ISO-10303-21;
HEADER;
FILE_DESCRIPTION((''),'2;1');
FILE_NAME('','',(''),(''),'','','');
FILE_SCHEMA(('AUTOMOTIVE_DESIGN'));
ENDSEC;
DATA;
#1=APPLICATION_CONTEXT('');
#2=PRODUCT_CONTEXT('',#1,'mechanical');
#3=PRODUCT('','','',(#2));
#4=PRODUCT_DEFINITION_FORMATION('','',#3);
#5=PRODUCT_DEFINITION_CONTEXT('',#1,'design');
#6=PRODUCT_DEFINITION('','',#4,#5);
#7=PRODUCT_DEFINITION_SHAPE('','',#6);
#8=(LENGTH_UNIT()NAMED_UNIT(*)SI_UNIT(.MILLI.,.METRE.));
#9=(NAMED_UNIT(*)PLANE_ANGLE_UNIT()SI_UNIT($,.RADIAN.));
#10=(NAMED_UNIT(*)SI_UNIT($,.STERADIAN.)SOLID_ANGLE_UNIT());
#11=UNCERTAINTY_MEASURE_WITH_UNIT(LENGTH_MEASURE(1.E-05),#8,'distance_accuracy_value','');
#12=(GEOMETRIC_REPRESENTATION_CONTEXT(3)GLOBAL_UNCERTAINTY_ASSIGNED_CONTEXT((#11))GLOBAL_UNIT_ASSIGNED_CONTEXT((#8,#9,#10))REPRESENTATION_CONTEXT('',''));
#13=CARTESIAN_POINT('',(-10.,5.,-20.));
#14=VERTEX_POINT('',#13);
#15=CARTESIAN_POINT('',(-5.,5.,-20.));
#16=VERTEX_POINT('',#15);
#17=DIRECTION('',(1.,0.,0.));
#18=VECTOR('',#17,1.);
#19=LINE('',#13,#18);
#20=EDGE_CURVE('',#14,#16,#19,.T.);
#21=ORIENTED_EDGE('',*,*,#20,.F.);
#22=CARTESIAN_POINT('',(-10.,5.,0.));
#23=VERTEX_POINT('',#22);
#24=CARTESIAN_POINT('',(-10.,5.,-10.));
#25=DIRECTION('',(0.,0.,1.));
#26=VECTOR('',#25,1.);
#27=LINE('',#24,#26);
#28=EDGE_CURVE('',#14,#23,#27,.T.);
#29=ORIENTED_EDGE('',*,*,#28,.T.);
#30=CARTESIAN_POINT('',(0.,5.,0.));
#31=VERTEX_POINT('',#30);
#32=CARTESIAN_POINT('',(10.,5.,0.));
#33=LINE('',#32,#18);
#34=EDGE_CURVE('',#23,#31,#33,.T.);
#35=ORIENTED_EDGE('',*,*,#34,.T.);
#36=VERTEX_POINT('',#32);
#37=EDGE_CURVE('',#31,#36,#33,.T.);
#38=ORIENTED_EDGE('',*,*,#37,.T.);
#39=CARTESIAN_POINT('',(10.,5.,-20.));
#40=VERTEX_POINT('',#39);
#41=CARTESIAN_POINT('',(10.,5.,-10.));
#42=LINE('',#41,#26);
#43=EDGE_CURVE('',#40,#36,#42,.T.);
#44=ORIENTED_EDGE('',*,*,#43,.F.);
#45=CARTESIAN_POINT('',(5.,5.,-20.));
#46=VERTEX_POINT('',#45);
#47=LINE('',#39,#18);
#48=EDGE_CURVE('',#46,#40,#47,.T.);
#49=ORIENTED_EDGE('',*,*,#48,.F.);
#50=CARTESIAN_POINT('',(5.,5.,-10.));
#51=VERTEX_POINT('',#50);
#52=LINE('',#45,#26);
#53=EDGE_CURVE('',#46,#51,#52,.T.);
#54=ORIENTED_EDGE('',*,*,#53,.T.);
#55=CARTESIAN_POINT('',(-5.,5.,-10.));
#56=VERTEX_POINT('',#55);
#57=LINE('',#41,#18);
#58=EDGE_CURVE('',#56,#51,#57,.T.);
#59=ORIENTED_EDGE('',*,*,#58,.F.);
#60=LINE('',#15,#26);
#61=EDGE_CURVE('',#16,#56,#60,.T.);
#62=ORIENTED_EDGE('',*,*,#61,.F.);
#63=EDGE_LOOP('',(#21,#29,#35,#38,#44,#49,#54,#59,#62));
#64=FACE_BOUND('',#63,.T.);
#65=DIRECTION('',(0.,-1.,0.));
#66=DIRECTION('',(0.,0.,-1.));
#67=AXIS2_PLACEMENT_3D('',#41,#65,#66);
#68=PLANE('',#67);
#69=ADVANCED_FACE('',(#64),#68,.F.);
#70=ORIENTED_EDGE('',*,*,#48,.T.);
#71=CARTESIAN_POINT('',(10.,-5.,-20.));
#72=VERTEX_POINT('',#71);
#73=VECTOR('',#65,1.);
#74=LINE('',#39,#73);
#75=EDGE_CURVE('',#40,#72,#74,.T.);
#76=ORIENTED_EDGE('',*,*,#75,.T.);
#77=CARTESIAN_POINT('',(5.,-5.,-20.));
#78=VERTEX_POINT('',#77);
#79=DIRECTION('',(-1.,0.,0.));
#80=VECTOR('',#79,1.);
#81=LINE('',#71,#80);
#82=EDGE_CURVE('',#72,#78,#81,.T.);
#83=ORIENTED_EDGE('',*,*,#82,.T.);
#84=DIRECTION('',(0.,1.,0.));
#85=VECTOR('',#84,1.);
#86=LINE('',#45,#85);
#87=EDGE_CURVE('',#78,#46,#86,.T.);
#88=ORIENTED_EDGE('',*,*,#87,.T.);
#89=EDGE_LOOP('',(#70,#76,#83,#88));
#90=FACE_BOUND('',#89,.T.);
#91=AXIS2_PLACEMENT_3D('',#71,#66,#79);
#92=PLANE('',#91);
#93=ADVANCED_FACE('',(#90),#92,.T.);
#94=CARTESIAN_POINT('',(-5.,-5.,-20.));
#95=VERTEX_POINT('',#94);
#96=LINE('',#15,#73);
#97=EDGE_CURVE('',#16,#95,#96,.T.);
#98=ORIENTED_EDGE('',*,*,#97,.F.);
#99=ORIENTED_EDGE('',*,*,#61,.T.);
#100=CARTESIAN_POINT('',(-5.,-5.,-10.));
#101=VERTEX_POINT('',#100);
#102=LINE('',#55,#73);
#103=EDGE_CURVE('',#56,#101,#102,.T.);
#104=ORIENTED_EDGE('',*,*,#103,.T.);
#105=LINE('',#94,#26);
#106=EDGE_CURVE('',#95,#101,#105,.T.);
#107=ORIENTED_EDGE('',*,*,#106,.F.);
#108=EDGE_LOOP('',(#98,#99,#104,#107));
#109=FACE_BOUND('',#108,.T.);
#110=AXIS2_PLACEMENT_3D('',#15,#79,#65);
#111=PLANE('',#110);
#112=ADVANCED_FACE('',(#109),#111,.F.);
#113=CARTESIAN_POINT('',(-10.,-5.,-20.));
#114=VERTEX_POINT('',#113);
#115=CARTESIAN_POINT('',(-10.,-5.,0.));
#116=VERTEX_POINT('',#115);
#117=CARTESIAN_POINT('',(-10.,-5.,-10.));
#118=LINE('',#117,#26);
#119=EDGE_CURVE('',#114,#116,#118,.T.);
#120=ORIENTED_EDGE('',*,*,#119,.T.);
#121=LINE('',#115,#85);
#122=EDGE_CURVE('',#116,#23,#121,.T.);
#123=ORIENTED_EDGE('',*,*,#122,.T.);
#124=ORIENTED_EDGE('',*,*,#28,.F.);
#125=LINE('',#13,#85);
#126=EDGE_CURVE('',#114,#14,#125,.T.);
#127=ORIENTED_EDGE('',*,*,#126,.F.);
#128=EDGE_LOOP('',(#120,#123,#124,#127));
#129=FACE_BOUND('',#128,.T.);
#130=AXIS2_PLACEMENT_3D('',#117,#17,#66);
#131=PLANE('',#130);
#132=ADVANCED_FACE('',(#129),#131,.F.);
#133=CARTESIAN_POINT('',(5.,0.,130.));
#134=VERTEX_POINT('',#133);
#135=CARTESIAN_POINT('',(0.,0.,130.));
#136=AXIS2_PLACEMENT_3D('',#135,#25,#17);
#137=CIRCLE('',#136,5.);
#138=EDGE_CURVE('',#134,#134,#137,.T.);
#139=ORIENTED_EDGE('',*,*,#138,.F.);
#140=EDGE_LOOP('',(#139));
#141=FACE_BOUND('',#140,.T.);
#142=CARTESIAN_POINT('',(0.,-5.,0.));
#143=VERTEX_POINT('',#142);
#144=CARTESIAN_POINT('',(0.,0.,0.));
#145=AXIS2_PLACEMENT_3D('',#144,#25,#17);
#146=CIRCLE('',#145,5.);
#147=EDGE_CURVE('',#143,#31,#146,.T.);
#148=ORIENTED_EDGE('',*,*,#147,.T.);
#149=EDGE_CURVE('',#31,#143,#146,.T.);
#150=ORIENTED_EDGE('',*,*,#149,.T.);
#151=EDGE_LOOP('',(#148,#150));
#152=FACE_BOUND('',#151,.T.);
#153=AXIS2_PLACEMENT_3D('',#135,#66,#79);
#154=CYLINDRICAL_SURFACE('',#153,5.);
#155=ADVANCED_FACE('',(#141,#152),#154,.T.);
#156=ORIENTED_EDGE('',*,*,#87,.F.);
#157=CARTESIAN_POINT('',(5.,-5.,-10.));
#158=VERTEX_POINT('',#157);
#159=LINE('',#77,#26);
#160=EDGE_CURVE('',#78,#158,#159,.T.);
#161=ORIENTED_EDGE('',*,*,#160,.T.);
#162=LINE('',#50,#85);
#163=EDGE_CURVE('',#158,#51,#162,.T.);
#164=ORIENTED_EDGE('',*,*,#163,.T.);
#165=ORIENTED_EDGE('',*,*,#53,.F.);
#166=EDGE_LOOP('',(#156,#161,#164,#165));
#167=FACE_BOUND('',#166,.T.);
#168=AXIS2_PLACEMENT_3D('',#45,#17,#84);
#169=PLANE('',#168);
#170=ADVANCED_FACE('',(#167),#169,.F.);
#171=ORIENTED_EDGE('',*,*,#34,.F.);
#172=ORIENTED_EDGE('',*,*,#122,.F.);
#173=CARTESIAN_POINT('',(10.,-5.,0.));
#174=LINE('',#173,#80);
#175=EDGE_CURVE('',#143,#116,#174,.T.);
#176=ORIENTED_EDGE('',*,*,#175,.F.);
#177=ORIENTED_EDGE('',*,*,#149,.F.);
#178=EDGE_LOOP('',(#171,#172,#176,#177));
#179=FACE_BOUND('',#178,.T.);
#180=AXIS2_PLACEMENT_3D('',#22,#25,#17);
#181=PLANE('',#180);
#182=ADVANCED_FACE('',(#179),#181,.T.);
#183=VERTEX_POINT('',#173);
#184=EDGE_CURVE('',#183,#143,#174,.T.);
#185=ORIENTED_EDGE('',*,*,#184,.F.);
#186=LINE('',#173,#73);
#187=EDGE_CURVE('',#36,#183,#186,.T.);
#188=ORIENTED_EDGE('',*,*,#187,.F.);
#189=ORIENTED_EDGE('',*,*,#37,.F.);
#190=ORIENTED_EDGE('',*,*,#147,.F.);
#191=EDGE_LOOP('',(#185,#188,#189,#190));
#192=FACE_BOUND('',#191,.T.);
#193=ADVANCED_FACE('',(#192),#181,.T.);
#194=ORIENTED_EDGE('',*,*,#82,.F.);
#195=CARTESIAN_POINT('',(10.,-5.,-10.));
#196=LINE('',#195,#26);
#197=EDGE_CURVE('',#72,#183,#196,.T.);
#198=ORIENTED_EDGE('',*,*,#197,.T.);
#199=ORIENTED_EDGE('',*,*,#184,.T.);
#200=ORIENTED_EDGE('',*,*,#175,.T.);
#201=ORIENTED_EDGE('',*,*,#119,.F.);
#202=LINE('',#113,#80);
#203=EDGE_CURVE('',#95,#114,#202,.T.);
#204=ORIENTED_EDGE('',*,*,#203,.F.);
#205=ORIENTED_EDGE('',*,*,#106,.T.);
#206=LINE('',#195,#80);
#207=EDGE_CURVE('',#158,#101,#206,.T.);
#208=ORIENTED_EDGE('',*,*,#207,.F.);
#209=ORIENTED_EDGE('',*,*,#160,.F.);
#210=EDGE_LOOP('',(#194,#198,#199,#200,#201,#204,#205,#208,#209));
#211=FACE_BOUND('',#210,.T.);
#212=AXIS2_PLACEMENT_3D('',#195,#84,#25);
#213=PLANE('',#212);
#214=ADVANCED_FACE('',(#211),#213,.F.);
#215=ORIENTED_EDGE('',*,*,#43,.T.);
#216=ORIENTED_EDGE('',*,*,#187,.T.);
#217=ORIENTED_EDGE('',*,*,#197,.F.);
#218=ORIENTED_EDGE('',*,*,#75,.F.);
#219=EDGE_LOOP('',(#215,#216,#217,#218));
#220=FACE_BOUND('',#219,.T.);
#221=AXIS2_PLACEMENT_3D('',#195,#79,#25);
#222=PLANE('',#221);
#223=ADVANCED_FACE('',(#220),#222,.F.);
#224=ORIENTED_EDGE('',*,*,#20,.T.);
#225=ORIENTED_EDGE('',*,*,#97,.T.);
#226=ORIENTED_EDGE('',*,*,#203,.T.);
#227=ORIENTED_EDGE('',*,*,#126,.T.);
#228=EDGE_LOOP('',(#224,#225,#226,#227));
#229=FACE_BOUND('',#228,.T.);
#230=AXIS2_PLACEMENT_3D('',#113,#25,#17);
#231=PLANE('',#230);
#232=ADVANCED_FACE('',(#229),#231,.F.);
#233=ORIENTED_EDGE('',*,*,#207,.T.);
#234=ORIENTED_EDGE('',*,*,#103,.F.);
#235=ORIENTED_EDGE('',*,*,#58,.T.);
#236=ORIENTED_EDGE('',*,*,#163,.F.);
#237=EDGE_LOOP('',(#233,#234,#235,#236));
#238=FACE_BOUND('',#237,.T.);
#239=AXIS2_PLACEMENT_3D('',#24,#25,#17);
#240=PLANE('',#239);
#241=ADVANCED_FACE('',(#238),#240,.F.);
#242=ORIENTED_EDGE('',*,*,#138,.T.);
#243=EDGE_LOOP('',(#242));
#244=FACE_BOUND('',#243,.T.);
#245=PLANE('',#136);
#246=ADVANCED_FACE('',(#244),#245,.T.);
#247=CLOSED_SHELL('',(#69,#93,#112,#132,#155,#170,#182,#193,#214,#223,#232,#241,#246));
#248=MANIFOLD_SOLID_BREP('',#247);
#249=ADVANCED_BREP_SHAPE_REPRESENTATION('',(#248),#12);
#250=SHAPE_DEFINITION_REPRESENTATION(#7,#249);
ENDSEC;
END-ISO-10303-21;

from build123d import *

# Parameters (mm, degrees)
SKETCH1_R           = 5
BOSS_EXTRUDE1_DEPTH = 130
SKETCH2_W           = 20
SKETCH2_H           = 10
BOSS_EXTRUDE2_DEPTH = 10
SKETCH3_W           = 5
SKETCH3_H           = 10
BOSS_EXTRUDE3_DEPTH = 10
SKETCH4_W           = 5
SKETCH4_H           = 10
BOSS_EXTRUDE4_DEPTH = 10


with BuildPart() as part:
    # Sketch1 → Boss-Extrude1 (new body)
    with BuildSketch(Plane.XY):
        Circle(SKETCH1_R)
    extrude(amount=BOSS_EXTRUDE1_DEPTH)

    # Sketch2 → Boss-Extrude2 (add)
    with BuildSketch(Plane(origin=(0, 0, 0), x_dir=(-1, 0, 0), z_dir=(0, 0, -1))):
        Rectangle(SKETCH2_W, SKETCH2_H)
    extrude(amount=BOSS_EXTRUDE2_DEPTH)

    # Sketch3 → Boss-Extrude3 (add)
    with BuildSketch(Plane(origin=(0, 0, -10), x_dir=(-1, 0, 0), z_dir=(0, 0, -1))):
        with Locations((-7.5, 0)):
            Rectangle(SKETCH3_W, SKETCH3_H)
    extrude(amount=BOSS_EXTRUDE3_DEPTH)

    # Sketch4 → Boss-Extrude4 (add)
    with BuildSketch(Plane(origin=(0, 0, -10), x_dir=(-1, 0, 0), z_dir=(0, 0, -1))):
        with Locations((7.5, 0)):
            Rectangle(SKETCH4_W, SKETCH4_H)
    extrude(amount=BOSS_EXTRUDE4_DEPTH)


solid = part.part
